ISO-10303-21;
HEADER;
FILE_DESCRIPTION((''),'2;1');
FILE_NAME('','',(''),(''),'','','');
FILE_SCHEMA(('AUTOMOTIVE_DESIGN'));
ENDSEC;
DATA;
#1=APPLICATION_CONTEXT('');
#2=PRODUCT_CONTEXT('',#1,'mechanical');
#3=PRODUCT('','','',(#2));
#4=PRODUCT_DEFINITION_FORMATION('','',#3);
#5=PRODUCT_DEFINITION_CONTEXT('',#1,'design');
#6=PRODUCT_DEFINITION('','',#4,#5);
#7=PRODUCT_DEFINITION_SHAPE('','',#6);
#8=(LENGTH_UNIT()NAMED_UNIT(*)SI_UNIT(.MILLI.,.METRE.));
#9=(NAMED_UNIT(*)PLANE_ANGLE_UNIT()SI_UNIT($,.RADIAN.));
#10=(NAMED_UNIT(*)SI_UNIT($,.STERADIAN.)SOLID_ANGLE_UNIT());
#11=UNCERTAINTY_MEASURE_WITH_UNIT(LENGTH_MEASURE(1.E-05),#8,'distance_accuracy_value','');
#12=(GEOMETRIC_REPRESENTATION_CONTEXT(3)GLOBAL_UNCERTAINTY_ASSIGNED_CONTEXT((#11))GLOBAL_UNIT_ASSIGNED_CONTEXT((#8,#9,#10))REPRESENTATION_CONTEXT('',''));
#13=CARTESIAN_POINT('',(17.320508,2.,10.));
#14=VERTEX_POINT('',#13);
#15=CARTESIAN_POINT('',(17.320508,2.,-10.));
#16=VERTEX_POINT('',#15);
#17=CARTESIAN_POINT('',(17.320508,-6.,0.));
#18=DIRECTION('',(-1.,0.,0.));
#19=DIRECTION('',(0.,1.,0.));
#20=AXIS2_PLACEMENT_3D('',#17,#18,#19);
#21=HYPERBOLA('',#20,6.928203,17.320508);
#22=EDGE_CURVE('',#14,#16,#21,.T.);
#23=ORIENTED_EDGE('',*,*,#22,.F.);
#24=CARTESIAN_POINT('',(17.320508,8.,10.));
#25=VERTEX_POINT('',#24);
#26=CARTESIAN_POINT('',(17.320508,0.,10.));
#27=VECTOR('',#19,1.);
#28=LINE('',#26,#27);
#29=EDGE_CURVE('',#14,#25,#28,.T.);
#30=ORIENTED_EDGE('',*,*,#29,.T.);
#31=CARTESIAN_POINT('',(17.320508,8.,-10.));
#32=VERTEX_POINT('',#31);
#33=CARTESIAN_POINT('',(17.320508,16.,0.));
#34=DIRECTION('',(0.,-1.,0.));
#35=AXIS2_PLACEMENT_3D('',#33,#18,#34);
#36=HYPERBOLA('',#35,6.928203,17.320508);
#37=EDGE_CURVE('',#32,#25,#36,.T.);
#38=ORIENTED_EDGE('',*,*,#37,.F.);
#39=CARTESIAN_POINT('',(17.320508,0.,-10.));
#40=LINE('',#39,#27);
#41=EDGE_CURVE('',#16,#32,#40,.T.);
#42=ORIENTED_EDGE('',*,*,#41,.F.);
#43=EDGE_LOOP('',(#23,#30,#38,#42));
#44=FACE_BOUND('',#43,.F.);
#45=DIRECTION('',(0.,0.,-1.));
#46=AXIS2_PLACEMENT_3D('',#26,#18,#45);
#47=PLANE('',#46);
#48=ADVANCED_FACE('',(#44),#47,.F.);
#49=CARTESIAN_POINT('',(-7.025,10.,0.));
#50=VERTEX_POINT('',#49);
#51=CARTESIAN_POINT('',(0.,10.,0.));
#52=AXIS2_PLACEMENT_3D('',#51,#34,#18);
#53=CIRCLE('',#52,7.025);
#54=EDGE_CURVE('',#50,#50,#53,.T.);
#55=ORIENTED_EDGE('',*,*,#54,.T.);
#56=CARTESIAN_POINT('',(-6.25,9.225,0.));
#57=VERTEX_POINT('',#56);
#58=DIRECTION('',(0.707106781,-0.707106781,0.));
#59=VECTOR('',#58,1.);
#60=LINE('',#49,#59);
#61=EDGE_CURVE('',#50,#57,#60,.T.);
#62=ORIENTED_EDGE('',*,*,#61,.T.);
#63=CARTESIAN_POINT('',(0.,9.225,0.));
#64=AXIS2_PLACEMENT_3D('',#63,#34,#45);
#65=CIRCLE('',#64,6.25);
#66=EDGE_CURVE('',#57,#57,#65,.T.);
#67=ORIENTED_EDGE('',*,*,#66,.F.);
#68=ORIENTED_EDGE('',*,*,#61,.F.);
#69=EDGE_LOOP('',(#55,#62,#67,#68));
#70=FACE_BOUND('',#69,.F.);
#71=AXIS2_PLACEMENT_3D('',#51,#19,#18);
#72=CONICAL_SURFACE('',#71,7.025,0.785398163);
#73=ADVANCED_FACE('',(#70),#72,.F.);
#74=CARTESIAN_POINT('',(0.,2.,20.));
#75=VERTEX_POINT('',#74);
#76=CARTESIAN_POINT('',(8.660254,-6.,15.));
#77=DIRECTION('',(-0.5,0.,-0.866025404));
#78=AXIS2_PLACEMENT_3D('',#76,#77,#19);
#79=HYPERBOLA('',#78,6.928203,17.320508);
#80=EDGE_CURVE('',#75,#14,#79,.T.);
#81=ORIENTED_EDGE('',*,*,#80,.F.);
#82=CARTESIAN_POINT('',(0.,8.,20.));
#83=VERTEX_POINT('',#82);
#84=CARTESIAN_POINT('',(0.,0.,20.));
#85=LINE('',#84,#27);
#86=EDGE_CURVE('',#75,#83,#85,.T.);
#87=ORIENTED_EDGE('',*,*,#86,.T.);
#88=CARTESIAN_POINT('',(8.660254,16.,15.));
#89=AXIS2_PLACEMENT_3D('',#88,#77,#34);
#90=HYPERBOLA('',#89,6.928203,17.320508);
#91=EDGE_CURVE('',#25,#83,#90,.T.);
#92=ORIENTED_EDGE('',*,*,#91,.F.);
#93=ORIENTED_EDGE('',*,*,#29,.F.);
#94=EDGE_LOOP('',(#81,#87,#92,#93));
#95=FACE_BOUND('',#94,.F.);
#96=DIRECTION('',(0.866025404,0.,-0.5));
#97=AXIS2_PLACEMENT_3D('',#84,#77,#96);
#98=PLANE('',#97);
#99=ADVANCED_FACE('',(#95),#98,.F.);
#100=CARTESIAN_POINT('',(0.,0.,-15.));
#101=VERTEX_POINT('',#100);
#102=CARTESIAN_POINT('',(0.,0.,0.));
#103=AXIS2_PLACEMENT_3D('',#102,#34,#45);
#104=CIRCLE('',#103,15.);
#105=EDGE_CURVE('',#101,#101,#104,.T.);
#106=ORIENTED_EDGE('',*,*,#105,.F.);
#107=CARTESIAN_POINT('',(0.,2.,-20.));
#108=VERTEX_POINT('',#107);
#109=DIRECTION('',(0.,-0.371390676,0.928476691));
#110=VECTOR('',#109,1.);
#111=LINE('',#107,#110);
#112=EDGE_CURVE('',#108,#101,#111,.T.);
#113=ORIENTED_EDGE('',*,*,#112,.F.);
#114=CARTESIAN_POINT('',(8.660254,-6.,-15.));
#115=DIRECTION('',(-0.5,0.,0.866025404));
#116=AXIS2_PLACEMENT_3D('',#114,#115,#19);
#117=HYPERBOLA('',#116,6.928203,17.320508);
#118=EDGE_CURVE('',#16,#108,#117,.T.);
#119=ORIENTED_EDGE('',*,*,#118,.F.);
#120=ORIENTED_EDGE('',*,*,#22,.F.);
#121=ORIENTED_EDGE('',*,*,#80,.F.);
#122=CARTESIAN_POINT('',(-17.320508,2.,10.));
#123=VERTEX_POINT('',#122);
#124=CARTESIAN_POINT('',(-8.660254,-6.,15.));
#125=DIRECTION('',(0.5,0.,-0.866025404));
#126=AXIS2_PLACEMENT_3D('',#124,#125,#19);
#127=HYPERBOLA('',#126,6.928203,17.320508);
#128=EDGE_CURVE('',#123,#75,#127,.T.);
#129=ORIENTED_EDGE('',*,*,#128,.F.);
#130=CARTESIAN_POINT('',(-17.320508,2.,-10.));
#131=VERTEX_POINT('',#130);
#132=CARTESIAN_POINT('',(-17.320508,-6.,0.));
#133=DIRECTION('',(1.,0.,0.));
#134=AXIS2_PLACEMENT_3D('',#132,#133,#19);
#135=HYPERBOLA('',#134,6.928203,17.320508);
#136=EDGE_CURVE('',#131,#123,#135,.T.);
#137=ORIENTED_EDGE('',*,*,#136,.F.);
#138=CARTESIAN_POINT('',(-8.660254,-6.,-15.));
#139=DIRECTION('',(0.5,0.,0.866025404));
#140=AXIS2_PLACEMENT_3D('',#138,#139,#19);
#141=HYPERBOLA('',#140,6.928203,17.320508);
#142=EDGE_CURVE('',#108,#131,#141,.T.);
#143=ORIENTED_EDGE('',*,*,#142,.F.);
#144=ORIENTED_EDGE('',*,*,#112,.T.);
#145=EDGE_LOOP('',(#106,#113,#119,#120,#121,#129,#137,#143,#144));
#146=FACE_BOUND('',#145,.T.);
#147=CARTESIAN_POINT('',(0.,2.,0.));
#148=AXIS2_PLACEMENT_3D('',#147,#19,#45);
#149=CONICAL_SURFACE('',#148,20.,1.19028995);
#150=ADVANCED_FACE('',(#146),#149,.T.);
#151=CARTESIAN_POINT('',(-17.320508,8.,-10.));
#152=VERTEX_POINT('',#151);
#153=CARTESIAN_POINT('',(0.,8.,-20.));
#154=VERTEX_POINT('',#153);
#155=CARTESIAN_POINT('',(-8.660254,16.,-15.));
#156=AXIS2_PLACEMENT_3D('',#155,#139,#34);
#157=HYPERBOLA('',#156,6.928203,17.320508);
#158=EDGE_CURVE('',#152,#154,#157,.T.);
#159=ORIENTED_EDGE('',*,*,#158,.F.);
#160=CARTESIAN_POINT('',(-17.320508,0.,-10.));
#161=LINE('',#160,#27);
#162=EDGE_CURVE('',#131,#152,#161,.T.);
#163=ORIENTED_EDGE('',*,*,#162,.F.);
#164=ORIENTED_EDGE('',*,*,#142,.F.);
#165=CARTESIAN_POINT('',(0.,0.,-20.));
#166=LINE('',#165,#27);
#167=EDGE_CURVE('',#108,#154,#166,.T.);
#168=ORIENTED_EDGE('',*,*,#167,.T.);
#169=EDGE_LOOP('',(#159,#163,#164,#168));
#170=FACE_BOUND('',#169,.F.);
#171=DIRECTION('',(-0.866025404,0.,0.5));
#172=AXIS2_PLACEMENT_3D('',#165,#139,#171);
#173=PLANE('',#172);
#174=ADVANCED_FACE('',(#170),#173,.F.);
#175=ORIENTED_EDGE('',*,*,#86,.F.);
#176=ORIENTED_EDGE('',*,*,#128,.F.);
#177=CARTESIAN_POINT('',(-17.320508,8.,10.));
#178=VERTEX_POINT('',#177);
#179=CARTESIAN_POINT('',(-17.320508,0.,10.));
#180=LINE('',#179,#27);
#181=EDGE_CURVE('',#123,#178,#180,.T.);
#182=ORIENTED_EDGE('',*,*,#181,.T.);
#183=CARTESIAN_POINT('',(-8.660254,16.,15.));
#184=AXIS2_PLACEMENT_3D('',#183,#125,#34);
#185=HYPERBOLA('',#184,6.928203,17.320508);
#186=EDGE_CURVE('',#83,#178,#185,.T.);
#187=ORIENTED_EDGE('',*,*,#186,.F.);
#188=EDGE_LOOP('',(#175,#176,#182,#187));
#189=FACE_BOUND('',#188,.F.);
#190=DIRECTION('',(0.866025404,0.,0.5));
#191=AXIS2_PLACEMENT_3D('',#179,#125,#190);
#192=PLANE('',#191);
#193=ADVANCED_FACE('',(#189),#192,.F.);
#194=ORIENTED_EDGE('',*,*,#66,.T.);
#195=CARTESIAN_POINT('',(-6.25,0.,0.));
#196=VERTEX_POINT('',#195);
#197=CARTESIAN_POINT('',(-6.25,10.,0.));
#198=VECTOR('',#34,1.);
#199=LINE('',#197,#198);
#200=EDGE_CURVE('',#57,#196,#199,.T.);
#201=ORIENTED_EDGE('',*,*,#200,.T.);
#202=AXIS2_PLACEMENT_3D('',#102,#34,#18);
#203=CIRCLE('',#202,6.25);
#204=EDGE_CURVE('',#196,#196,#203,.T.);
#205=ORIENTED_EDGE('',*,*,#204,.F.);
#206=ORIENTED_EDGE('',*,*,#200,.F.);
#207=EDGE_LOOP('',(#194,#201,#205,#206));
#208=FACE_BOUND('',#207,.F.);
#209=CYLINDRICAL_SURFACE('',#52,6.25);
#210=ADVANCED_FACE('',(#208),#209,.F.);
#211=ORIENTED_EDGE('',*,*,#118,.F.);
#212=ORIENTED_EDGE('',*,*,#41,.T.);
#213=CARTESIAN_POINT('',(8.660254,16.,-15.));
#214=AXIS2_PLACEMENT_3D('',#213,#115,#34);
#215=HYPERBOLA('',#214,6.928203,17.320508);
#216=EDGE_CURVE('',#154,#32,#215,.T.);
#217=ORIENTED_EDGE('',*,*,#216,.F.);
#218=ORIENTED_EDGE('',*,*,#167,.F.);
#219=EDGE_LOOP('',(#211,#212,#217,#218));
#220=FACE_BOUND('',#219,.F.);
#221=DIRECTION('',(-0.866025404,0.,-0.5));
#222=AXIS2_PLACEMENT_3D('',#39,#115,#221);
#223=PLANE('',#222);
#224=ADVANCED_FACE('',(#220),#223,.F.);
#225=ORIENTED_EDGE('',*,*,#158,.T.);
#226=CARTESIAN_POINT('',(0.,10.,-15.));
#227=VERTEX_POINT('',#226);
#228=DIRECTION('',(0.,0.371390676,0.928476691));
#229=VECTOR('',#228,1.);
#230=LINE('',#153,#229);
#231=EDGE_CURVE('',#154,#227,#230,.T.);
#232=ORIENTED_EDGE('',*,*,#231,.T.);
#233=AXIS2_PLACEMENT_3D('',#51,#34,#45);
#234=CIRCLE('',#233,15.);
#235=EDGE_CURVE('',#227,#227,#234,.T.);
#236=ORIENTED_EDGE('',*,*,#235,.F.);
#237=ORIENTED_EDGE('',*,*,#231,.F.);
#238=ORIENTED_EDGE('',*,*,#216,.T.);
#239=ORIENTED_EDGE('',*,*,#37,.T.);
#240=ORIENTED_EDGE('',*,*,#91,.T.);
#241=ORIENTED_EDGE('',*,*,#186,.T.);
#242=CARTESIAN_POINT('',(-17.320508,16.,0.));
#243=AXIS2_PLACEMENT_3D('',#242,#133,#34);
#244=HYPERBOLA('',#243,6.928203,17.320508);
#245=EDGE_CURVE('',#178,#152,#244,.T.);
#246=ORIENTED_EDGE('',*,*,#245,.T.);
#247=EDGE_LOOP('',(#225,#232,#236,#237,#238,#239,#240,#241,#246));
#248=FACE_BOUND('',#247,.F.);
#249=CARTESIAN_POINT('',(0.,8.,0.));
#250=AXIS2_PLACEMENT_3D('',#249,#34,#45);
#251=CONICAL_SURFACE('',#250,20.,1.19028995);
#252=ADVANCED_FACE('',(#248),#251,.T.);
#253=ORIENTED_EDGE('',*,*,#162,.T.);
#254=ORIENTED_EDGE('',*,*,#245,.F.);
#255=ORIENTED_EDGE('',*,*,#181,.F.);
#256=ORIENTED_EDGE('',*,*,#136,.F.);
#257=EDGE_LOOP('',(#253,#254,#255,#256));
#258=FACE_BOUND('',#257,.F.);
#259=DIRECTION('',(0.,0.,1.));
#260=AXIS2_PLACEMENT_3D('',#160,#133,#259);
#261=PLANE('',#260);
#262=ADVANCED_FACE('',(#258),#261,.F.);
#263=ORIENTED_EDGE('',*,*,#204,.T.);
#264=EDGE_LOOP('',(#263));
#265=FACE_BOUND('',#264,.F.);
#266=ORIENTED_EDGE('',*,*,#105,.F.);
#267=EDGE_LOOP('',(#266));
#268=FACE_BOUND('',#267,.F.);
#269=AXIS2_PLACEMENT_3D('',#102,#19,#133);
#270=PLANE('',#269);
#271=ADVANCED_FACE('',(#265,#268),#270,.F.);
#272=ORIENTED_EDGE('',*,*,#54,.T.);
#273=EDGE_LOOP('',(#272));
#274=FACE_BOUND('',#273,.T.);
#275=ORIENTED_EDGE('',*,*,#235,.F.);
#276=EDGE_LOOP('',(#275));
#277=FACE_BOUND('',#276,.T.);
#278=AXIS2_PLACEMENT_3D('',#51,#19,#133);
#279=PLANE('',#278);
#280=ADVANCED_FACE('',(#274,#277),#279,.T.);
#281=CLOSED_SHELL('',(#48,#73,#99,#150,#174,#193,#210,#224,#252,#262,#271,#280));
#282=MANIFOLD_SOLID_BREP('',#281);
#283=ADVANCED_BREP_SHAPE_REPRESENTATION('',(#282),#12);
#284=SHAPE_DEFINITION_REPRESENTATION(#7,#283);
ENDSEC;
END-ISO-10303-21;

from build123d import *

# Parameters (mm, degrees)
EXTRUDE_1_DEPTH       = 10
M14X1_5_1_D           = 12.5
M14X1_5_1_CSINK_D     = 14.05
M14X1_5_1_CSINK_ANGLE = 90


with BuildPart() as part:
    # 草图1 → 凸台-拉伸1 (new body)
    with BuildSketch(Plane(origin=(0, 0, 0), x_dir=(1, 0, 0), z_dir=(0, 1, 0))):
        Polygon((0, -20), (17.320508076, -10), (17.320508076, 10), (0, 20), (-17.320508076, 10), (-17.320508076, -10), align=None)
    extrude(amount=EXTRUDE_1_DEPTH)

    # M14x1.5 螺纹孔1 (through all)
    with Locations(Plane(origin=(0, 10, 0), x_dir=(1, 0, 0), z_dir=(0, 1, 0))):
        with Locations((0, 0)):
            CounterSinkHole(M14X1_5_1_D / 2, M14X1_5_1_CSINK_D / 2, counter_sink_angle=M14X1_5_1_CSINK_ANGLE)

    # 草图7 → 切除-旋转1 (revolve, cut)
    with BuildSketch(Plane(origin=(0, 0, 0), x_dir=(0, 0, -1), z_dir=(1, 0, 0))):
        Polygon((20, 10), (20, 8), (15, 10), align=None)
        Polygon((20, 2), (15, 0), (20, 0), align=None)
    revolve(axis=Axis((0, 15.71595543, 0), (0, -1, 0)), mode=Mode.SUBTRACT)


solid = part.part
